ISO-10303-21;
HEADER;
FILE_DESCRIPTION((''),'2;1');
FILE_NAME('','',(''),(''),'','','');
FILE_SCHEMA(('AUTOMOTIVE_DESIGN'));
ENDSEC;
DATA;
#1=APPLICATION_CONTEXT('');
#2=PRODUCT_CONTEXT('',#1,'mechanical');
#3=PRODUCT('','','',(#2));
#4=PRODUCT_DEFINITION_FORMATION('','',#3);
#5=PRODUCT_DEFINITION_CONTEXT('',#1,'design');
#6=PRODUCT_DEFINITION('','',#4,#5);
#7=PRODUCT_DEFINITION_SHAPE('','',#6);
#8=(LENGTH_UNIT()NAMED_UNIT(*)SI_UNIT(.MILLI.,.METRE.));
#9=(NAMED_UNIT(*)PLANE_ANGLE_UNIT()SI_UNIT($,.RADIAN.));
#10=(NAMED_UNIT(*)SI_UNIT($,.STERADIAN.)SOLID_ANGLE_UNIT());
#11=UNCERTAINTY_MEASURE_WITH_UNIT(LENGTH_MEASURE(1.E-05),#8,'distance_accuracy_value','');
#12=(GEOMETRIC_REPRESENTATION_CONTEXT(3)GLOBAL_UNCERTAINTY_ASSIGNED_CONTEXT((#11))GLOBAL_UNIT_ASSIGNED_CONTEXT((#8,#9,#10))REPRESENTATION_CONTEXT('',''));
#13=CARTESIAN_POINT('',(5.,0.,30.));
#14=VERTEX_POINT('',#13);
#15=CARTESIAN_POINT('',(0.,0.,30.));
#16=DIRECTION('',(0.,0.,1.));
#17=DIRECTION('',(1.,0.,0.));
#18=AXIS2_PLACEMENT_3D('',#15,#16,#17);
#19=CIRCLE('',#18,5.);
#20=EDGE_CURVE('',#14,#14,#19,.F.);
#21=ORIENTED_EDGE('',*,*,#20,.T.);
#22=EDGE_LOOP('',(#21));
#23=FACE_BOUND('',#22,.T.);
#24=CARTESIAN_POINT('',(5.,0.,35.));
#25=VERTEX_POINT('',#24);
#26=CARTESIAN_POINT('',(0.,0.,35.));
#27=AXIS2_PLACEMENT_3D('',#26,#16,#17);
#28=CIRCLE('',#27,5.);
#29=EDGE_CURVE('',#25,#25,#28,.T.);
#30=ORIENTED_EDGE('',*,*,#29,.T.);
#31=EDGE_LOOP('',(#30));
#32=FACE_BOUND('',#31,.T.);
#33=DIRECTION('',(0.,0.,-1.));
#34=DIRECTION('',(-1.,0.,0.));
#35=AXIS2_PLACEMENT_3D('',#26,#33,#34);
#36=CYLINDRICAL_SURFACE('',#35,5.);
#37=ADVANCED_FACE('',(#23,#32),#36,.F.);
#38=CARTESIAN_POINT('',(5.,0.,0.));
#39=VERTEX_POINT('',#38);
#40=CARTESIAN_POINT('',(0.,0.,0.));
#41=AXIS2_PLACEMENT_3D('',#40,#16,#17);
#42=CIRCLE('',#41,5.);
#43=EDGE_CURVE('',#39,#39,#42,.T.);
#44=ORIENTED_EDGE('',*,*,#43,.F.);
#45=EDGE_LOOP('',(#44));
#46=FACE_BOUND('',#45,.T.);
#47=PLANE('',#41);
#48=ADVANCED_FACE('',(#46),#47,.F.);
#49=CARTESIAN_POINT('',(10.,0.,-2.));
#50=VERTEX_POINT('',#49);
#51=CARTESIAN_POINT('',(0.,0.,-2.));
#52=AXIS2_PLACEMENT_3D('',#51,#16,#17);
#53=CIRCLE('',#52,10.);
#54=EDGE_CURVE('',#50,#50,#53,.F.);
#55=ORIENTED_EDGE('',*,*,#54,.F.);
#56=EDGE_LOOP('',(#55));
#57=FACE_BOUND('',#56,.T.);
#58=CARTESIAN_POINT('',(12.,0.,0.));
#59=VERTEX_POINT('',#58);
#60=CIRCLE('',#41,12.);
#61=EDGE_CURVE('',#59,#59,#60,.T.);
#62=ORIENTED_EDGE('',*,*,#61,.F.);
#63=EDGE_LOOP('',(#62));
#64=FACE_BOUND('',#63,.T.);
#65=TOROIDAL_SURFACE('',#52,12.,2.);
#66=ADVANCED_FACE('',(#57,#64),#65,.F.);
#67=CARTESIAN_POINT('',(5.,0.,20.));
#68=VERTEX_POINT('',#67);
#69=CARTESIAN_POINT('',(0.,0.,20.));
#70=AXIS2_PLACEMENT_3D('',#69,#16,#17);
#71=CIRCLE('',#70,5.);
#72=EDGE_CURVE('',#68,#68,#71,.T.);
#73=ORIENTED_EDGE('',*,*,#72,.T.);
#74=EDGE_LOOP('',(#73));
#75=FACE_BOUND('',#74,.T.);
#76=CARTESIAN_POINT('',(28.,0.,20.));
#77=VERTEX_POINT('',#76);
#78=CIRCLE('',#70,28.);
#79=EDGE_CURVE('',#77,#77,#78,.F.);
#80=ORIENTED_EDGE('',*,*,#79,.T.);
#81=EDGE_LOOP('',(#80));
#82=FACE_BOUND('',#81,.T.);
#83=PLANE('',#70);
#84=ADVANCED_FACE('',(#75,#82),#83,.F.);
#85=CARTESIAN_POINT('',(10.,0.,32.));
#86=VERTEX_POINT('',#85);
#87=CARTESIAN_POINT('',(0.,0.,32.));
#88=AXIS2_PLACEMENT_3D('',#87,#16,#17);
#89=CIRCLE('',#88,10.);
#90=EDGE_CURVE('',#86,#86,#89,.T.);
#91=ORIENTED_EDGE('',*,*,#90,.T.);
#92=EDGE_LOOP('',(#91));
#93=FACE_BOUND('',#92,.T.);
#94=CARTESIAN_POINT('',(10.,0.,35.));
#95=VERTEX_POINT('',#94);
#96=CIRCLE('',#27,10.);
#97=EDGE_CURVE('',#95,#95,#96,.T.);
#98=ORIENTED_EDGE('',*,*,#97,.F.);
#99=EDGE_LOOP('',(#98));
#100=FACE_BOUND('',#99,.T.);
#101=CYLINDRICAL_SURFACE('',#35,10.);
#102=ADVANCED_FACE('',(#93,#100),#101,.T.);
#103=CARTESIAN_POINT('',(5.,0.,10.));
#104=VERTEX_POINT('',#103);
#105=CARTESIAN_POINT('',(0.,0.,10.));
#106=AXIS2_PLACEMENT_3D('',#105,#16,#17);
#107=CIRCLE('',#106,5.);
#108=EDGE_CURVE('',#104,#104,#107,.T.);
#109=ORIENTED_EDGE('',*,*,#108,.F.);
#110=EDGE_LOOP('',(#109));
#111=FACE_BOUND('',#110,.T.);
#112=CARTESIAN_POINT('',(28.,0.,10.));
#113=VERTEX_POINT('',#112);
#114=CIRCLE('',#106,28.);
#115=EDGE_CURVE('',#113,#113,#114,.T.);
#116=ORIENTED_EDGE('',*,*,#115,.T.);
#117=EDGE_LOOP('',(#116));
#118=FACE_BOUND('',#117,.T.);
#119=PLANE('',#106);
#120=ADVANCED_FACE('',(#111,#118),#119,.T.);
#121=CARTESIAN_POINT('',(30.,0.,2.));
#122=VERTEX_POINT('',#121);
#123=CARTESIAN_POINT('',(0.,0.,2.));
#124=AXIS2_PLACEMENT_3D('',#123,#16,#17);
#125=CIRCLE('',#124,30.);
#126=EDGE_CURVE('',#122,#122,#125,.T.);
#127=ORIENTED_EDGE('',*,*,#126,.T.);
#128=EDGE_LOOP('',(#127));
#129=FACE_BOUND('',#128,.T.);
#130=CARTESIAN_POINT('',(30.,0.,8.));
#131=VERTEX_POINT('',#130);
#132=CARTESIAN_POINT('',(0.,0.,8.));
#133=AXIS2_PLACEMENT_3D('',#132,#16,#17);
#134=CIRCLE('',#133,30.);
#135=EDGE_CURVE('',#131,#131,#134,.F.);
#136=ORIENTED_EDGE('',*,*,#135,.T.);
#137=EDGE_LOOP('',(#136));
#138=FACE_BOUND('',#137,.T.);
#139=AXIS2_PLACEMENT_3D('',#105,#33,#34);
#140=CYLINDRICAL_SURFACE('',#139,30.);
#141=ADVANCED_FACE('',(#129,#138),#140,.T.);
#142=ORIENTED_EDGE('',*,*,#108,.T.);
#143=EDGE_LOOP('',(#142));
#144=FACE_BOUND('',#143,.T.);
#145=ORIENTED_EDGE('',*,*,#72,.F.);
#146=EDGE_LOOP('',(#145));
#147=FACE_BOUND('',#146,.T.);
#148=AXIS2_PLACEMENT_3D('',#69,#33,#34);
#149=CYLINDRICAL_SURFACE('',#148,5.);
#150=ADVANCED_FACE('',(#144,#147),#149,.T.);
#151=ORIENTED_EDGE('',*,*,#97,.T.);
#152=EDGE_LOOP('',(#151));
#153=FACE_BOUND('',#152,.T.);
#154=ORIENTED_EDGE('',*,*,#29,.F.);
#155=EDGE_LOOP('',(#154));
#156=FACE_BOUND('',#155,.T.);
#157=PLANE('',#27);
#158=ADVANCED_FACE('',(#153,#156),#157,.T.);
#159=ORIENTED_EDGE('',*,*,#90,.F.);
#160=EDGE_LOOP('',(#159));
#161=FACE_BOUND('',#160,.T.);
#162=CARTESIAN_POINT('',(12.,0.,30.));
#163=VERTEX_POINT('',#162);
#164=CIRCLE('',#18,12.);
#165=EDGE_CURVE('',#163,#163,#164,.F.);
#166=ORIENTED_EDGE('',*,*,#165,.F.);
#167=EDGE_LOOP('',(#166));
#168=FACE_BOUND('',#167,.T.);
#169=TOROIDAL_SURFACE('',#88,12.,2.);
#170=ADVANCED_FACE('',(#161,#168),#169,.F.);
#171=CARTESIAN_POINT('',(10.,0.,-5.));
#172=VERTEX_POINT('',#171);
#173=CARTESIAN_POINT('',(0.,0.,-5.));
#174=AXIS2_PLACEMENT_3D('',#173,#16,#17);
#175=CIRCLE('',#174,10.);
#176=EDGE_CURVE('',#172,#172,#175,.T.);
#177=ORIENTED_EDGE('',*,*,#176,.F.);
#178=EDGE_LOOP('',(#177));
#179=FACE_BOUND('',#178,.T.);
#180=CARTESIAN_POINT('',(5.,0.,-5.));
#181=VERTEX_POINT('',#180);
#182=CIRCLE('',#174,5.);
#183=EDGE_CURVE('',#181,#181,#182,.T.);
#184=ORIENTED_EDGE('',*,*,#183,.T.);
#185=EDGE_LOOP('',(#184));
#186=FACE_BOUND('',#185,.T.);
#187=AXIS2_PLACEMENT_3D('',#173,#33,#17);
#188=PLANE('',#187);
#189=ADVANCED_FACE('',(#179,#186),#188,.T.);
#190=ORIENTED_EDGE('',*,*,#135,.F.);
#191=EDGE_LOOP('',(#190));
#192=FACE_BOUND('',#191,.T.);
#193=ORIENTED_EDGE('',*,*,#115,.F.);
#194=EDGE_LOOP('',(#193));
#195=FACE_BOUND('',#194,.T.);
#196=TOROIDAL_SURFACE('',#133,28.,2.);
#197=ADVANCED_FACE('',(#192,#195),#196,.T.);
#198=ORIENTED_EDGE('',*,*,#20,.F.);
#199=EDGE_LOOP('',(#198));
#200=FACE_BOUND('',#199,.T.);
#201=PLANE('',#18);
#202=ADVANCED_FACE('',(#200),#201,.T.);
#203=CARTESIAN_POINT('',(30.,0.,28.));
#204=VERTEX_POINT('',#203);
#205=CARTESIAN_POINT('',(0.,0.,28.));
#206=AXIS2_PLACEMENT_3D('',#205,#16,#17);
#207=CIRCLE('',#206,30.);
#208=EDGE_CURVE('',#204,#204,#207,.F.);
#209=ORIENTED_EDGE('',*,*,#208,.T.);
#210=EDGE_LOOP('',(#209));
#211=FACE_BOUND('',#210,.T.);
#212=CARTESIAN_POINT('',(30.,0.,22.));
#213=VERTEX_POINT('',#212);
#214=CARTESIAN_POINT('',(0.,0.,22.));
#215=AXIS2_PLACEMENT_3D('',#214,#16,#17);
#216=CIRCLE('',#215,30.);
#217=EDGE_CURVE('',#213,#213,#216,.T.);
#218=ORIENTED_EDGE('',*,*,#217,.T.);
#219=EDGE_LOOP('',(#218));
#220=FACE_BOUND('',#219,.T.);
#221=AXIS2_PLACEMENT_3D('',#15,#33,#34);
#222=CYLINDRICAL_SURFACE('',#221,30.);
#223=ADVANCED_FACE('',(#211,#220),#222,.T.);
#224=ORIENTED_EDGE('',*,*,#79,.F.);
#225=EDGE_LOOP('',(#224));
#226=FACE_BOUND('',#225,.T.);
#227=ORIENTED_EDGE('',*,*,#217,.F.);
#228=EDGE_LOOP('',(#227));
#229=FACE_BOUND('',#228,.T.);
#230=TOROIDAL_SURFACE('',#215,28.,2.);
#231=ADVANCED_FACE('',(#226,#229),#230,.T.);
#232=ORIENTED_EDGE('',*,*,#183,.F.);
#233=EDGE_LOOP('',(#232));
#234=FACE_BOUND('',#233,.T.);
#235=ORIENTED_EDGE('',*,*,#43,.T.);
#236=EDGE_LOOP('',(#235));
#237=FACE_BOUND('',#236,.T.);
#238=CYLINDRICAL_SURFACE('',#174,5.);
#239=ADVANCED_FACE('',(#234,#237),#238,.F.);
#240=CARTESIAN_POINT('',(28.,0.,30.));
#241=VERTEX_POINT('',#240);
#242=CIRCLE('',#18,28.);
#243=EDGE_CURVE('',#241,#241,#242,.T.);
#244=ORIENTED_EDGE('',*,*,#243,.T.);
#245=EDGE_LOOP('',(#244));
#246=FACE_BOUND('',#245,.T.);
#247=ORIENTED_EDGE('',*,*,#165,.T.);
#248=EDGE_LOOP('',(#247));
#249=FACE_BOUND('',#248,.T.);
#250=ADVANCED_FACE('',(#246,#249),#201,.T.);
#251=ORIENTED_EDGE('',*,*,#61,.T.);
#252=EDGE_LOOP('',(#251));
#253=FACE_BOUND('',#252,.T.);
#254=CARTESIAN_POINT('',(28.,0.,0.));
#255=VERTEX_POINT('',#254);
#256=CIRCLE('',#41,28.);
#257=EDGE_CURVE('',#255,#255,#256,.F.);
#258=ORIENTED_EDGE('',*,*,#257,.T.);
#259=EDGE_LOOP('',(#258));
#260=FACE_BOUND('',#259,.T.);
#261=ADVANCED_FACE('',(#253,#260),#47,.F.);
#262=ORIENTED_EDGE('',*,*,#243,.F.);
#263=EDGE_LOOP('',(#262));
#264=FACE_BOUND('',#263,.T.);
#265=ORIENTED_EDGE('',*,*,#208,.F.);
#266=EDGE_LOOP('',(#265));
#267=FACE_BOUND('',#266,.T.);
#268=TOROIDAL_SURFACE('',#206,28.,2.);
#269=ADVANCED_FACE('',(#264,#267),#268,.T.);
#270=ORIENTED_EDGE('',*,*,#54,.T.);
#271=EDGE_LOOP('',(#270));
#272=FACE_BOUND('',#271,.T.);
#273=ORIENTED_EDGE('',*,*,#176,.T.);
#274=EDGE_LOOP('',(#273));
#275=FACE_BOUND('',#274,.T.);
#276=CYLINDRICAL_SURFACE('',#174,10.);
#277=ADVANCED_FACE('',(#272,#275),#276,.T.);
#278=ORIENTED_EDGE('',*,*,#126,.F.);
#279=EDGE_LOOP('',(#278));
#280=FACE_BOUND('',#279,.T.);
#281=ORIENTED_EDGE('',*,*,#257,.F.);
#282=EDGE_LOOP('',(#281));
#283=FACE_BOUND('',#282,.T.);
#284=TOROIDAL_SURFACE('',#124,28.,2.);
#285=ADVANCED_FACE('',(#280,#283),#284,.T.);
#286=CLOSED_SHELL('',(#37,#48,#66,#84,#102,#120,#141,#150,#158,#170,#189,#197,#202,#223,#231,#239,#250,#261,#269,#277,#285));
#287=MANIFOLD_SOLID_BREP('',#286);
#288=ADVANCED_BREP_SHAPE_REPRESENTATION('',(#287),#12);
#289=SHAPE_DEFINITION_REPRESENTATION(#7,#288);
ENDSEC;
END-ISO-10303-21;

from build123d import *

# Parameters (mm, degrees)
SKETCH1_R           = 30
BOSS_EXTRUDE1_DEPTH = 10
SKETCH2_R           = 5
BOSS_EXTRUDE2_DEPTH = 10
SKETCH3_R           = 30
BOSS_EXTRUDE3_DEPTH = 10
SKETCH5_R           = 10
SKETCH5_R_2         = 5
BOSS_EXTRUDE5_DEPTH = 5
FILLET1_R           = 2
FILLET2_R           = 2


with BuildPart() as part:
    # Sketch1 → Boss-Extrude1 (new body)
    with BuildSketch(Plane.XY):
        Circle(SKETCH1_R)
    extrude(amount=BOSS_EXTRUDE1_DEPTH)

    # Sketch2 → Boss-Extrude2 (add)
    with BuildSketch(Plane.XY.offset(10)):
        Circle(SKETCH2_R)
    extrude(amount=BOSS_EXTRUDE2_DEPTH)

    # Sketch3 → Boss-Extrude3 (add)
    with BuildSketch(Plane.XY.offset(20)):
        Circle(SKETCH3_R)
    extrude(amount=BOSS_EXTRUDE3_DEPTH)

    # Sketch5 → Boss-Extrude5 (add)
    with BuildSketch(Plane.XY.offset(30)):
        Circle(SKETCH5_R)
        Circle(SKETCH5_R_2, mode=Mode.SUBTRACT)
    boss_extrude5 = extrude(amount=BOSS_EXTRUDE5_DEPTH)

    # Mirror1: Boss-Extrude5 across plane
    add(boss_extrude5.mirror(Plane.XY.offset(15)))

    # Fillet1
    fillet1_edges = [part.edges().sort_by_distance(p)[0] for p in [
        (-10, 0, 30),
        (-10, 0, 0),
    ]]
    fillet(fillet1_edges, radius=FILLET1_R)

    # Fillet2
    fillet2_edges = [part.edges().sort_by_distance(p)[0] for p in [
        (-30, 0, 30),
        (-30, 0, 0),
        (-30, 0, 10),
        (-30, 0, 20),
    ]]
    fillet(fillet2_edges, radius=FILLET2_R)


solid = part.part
